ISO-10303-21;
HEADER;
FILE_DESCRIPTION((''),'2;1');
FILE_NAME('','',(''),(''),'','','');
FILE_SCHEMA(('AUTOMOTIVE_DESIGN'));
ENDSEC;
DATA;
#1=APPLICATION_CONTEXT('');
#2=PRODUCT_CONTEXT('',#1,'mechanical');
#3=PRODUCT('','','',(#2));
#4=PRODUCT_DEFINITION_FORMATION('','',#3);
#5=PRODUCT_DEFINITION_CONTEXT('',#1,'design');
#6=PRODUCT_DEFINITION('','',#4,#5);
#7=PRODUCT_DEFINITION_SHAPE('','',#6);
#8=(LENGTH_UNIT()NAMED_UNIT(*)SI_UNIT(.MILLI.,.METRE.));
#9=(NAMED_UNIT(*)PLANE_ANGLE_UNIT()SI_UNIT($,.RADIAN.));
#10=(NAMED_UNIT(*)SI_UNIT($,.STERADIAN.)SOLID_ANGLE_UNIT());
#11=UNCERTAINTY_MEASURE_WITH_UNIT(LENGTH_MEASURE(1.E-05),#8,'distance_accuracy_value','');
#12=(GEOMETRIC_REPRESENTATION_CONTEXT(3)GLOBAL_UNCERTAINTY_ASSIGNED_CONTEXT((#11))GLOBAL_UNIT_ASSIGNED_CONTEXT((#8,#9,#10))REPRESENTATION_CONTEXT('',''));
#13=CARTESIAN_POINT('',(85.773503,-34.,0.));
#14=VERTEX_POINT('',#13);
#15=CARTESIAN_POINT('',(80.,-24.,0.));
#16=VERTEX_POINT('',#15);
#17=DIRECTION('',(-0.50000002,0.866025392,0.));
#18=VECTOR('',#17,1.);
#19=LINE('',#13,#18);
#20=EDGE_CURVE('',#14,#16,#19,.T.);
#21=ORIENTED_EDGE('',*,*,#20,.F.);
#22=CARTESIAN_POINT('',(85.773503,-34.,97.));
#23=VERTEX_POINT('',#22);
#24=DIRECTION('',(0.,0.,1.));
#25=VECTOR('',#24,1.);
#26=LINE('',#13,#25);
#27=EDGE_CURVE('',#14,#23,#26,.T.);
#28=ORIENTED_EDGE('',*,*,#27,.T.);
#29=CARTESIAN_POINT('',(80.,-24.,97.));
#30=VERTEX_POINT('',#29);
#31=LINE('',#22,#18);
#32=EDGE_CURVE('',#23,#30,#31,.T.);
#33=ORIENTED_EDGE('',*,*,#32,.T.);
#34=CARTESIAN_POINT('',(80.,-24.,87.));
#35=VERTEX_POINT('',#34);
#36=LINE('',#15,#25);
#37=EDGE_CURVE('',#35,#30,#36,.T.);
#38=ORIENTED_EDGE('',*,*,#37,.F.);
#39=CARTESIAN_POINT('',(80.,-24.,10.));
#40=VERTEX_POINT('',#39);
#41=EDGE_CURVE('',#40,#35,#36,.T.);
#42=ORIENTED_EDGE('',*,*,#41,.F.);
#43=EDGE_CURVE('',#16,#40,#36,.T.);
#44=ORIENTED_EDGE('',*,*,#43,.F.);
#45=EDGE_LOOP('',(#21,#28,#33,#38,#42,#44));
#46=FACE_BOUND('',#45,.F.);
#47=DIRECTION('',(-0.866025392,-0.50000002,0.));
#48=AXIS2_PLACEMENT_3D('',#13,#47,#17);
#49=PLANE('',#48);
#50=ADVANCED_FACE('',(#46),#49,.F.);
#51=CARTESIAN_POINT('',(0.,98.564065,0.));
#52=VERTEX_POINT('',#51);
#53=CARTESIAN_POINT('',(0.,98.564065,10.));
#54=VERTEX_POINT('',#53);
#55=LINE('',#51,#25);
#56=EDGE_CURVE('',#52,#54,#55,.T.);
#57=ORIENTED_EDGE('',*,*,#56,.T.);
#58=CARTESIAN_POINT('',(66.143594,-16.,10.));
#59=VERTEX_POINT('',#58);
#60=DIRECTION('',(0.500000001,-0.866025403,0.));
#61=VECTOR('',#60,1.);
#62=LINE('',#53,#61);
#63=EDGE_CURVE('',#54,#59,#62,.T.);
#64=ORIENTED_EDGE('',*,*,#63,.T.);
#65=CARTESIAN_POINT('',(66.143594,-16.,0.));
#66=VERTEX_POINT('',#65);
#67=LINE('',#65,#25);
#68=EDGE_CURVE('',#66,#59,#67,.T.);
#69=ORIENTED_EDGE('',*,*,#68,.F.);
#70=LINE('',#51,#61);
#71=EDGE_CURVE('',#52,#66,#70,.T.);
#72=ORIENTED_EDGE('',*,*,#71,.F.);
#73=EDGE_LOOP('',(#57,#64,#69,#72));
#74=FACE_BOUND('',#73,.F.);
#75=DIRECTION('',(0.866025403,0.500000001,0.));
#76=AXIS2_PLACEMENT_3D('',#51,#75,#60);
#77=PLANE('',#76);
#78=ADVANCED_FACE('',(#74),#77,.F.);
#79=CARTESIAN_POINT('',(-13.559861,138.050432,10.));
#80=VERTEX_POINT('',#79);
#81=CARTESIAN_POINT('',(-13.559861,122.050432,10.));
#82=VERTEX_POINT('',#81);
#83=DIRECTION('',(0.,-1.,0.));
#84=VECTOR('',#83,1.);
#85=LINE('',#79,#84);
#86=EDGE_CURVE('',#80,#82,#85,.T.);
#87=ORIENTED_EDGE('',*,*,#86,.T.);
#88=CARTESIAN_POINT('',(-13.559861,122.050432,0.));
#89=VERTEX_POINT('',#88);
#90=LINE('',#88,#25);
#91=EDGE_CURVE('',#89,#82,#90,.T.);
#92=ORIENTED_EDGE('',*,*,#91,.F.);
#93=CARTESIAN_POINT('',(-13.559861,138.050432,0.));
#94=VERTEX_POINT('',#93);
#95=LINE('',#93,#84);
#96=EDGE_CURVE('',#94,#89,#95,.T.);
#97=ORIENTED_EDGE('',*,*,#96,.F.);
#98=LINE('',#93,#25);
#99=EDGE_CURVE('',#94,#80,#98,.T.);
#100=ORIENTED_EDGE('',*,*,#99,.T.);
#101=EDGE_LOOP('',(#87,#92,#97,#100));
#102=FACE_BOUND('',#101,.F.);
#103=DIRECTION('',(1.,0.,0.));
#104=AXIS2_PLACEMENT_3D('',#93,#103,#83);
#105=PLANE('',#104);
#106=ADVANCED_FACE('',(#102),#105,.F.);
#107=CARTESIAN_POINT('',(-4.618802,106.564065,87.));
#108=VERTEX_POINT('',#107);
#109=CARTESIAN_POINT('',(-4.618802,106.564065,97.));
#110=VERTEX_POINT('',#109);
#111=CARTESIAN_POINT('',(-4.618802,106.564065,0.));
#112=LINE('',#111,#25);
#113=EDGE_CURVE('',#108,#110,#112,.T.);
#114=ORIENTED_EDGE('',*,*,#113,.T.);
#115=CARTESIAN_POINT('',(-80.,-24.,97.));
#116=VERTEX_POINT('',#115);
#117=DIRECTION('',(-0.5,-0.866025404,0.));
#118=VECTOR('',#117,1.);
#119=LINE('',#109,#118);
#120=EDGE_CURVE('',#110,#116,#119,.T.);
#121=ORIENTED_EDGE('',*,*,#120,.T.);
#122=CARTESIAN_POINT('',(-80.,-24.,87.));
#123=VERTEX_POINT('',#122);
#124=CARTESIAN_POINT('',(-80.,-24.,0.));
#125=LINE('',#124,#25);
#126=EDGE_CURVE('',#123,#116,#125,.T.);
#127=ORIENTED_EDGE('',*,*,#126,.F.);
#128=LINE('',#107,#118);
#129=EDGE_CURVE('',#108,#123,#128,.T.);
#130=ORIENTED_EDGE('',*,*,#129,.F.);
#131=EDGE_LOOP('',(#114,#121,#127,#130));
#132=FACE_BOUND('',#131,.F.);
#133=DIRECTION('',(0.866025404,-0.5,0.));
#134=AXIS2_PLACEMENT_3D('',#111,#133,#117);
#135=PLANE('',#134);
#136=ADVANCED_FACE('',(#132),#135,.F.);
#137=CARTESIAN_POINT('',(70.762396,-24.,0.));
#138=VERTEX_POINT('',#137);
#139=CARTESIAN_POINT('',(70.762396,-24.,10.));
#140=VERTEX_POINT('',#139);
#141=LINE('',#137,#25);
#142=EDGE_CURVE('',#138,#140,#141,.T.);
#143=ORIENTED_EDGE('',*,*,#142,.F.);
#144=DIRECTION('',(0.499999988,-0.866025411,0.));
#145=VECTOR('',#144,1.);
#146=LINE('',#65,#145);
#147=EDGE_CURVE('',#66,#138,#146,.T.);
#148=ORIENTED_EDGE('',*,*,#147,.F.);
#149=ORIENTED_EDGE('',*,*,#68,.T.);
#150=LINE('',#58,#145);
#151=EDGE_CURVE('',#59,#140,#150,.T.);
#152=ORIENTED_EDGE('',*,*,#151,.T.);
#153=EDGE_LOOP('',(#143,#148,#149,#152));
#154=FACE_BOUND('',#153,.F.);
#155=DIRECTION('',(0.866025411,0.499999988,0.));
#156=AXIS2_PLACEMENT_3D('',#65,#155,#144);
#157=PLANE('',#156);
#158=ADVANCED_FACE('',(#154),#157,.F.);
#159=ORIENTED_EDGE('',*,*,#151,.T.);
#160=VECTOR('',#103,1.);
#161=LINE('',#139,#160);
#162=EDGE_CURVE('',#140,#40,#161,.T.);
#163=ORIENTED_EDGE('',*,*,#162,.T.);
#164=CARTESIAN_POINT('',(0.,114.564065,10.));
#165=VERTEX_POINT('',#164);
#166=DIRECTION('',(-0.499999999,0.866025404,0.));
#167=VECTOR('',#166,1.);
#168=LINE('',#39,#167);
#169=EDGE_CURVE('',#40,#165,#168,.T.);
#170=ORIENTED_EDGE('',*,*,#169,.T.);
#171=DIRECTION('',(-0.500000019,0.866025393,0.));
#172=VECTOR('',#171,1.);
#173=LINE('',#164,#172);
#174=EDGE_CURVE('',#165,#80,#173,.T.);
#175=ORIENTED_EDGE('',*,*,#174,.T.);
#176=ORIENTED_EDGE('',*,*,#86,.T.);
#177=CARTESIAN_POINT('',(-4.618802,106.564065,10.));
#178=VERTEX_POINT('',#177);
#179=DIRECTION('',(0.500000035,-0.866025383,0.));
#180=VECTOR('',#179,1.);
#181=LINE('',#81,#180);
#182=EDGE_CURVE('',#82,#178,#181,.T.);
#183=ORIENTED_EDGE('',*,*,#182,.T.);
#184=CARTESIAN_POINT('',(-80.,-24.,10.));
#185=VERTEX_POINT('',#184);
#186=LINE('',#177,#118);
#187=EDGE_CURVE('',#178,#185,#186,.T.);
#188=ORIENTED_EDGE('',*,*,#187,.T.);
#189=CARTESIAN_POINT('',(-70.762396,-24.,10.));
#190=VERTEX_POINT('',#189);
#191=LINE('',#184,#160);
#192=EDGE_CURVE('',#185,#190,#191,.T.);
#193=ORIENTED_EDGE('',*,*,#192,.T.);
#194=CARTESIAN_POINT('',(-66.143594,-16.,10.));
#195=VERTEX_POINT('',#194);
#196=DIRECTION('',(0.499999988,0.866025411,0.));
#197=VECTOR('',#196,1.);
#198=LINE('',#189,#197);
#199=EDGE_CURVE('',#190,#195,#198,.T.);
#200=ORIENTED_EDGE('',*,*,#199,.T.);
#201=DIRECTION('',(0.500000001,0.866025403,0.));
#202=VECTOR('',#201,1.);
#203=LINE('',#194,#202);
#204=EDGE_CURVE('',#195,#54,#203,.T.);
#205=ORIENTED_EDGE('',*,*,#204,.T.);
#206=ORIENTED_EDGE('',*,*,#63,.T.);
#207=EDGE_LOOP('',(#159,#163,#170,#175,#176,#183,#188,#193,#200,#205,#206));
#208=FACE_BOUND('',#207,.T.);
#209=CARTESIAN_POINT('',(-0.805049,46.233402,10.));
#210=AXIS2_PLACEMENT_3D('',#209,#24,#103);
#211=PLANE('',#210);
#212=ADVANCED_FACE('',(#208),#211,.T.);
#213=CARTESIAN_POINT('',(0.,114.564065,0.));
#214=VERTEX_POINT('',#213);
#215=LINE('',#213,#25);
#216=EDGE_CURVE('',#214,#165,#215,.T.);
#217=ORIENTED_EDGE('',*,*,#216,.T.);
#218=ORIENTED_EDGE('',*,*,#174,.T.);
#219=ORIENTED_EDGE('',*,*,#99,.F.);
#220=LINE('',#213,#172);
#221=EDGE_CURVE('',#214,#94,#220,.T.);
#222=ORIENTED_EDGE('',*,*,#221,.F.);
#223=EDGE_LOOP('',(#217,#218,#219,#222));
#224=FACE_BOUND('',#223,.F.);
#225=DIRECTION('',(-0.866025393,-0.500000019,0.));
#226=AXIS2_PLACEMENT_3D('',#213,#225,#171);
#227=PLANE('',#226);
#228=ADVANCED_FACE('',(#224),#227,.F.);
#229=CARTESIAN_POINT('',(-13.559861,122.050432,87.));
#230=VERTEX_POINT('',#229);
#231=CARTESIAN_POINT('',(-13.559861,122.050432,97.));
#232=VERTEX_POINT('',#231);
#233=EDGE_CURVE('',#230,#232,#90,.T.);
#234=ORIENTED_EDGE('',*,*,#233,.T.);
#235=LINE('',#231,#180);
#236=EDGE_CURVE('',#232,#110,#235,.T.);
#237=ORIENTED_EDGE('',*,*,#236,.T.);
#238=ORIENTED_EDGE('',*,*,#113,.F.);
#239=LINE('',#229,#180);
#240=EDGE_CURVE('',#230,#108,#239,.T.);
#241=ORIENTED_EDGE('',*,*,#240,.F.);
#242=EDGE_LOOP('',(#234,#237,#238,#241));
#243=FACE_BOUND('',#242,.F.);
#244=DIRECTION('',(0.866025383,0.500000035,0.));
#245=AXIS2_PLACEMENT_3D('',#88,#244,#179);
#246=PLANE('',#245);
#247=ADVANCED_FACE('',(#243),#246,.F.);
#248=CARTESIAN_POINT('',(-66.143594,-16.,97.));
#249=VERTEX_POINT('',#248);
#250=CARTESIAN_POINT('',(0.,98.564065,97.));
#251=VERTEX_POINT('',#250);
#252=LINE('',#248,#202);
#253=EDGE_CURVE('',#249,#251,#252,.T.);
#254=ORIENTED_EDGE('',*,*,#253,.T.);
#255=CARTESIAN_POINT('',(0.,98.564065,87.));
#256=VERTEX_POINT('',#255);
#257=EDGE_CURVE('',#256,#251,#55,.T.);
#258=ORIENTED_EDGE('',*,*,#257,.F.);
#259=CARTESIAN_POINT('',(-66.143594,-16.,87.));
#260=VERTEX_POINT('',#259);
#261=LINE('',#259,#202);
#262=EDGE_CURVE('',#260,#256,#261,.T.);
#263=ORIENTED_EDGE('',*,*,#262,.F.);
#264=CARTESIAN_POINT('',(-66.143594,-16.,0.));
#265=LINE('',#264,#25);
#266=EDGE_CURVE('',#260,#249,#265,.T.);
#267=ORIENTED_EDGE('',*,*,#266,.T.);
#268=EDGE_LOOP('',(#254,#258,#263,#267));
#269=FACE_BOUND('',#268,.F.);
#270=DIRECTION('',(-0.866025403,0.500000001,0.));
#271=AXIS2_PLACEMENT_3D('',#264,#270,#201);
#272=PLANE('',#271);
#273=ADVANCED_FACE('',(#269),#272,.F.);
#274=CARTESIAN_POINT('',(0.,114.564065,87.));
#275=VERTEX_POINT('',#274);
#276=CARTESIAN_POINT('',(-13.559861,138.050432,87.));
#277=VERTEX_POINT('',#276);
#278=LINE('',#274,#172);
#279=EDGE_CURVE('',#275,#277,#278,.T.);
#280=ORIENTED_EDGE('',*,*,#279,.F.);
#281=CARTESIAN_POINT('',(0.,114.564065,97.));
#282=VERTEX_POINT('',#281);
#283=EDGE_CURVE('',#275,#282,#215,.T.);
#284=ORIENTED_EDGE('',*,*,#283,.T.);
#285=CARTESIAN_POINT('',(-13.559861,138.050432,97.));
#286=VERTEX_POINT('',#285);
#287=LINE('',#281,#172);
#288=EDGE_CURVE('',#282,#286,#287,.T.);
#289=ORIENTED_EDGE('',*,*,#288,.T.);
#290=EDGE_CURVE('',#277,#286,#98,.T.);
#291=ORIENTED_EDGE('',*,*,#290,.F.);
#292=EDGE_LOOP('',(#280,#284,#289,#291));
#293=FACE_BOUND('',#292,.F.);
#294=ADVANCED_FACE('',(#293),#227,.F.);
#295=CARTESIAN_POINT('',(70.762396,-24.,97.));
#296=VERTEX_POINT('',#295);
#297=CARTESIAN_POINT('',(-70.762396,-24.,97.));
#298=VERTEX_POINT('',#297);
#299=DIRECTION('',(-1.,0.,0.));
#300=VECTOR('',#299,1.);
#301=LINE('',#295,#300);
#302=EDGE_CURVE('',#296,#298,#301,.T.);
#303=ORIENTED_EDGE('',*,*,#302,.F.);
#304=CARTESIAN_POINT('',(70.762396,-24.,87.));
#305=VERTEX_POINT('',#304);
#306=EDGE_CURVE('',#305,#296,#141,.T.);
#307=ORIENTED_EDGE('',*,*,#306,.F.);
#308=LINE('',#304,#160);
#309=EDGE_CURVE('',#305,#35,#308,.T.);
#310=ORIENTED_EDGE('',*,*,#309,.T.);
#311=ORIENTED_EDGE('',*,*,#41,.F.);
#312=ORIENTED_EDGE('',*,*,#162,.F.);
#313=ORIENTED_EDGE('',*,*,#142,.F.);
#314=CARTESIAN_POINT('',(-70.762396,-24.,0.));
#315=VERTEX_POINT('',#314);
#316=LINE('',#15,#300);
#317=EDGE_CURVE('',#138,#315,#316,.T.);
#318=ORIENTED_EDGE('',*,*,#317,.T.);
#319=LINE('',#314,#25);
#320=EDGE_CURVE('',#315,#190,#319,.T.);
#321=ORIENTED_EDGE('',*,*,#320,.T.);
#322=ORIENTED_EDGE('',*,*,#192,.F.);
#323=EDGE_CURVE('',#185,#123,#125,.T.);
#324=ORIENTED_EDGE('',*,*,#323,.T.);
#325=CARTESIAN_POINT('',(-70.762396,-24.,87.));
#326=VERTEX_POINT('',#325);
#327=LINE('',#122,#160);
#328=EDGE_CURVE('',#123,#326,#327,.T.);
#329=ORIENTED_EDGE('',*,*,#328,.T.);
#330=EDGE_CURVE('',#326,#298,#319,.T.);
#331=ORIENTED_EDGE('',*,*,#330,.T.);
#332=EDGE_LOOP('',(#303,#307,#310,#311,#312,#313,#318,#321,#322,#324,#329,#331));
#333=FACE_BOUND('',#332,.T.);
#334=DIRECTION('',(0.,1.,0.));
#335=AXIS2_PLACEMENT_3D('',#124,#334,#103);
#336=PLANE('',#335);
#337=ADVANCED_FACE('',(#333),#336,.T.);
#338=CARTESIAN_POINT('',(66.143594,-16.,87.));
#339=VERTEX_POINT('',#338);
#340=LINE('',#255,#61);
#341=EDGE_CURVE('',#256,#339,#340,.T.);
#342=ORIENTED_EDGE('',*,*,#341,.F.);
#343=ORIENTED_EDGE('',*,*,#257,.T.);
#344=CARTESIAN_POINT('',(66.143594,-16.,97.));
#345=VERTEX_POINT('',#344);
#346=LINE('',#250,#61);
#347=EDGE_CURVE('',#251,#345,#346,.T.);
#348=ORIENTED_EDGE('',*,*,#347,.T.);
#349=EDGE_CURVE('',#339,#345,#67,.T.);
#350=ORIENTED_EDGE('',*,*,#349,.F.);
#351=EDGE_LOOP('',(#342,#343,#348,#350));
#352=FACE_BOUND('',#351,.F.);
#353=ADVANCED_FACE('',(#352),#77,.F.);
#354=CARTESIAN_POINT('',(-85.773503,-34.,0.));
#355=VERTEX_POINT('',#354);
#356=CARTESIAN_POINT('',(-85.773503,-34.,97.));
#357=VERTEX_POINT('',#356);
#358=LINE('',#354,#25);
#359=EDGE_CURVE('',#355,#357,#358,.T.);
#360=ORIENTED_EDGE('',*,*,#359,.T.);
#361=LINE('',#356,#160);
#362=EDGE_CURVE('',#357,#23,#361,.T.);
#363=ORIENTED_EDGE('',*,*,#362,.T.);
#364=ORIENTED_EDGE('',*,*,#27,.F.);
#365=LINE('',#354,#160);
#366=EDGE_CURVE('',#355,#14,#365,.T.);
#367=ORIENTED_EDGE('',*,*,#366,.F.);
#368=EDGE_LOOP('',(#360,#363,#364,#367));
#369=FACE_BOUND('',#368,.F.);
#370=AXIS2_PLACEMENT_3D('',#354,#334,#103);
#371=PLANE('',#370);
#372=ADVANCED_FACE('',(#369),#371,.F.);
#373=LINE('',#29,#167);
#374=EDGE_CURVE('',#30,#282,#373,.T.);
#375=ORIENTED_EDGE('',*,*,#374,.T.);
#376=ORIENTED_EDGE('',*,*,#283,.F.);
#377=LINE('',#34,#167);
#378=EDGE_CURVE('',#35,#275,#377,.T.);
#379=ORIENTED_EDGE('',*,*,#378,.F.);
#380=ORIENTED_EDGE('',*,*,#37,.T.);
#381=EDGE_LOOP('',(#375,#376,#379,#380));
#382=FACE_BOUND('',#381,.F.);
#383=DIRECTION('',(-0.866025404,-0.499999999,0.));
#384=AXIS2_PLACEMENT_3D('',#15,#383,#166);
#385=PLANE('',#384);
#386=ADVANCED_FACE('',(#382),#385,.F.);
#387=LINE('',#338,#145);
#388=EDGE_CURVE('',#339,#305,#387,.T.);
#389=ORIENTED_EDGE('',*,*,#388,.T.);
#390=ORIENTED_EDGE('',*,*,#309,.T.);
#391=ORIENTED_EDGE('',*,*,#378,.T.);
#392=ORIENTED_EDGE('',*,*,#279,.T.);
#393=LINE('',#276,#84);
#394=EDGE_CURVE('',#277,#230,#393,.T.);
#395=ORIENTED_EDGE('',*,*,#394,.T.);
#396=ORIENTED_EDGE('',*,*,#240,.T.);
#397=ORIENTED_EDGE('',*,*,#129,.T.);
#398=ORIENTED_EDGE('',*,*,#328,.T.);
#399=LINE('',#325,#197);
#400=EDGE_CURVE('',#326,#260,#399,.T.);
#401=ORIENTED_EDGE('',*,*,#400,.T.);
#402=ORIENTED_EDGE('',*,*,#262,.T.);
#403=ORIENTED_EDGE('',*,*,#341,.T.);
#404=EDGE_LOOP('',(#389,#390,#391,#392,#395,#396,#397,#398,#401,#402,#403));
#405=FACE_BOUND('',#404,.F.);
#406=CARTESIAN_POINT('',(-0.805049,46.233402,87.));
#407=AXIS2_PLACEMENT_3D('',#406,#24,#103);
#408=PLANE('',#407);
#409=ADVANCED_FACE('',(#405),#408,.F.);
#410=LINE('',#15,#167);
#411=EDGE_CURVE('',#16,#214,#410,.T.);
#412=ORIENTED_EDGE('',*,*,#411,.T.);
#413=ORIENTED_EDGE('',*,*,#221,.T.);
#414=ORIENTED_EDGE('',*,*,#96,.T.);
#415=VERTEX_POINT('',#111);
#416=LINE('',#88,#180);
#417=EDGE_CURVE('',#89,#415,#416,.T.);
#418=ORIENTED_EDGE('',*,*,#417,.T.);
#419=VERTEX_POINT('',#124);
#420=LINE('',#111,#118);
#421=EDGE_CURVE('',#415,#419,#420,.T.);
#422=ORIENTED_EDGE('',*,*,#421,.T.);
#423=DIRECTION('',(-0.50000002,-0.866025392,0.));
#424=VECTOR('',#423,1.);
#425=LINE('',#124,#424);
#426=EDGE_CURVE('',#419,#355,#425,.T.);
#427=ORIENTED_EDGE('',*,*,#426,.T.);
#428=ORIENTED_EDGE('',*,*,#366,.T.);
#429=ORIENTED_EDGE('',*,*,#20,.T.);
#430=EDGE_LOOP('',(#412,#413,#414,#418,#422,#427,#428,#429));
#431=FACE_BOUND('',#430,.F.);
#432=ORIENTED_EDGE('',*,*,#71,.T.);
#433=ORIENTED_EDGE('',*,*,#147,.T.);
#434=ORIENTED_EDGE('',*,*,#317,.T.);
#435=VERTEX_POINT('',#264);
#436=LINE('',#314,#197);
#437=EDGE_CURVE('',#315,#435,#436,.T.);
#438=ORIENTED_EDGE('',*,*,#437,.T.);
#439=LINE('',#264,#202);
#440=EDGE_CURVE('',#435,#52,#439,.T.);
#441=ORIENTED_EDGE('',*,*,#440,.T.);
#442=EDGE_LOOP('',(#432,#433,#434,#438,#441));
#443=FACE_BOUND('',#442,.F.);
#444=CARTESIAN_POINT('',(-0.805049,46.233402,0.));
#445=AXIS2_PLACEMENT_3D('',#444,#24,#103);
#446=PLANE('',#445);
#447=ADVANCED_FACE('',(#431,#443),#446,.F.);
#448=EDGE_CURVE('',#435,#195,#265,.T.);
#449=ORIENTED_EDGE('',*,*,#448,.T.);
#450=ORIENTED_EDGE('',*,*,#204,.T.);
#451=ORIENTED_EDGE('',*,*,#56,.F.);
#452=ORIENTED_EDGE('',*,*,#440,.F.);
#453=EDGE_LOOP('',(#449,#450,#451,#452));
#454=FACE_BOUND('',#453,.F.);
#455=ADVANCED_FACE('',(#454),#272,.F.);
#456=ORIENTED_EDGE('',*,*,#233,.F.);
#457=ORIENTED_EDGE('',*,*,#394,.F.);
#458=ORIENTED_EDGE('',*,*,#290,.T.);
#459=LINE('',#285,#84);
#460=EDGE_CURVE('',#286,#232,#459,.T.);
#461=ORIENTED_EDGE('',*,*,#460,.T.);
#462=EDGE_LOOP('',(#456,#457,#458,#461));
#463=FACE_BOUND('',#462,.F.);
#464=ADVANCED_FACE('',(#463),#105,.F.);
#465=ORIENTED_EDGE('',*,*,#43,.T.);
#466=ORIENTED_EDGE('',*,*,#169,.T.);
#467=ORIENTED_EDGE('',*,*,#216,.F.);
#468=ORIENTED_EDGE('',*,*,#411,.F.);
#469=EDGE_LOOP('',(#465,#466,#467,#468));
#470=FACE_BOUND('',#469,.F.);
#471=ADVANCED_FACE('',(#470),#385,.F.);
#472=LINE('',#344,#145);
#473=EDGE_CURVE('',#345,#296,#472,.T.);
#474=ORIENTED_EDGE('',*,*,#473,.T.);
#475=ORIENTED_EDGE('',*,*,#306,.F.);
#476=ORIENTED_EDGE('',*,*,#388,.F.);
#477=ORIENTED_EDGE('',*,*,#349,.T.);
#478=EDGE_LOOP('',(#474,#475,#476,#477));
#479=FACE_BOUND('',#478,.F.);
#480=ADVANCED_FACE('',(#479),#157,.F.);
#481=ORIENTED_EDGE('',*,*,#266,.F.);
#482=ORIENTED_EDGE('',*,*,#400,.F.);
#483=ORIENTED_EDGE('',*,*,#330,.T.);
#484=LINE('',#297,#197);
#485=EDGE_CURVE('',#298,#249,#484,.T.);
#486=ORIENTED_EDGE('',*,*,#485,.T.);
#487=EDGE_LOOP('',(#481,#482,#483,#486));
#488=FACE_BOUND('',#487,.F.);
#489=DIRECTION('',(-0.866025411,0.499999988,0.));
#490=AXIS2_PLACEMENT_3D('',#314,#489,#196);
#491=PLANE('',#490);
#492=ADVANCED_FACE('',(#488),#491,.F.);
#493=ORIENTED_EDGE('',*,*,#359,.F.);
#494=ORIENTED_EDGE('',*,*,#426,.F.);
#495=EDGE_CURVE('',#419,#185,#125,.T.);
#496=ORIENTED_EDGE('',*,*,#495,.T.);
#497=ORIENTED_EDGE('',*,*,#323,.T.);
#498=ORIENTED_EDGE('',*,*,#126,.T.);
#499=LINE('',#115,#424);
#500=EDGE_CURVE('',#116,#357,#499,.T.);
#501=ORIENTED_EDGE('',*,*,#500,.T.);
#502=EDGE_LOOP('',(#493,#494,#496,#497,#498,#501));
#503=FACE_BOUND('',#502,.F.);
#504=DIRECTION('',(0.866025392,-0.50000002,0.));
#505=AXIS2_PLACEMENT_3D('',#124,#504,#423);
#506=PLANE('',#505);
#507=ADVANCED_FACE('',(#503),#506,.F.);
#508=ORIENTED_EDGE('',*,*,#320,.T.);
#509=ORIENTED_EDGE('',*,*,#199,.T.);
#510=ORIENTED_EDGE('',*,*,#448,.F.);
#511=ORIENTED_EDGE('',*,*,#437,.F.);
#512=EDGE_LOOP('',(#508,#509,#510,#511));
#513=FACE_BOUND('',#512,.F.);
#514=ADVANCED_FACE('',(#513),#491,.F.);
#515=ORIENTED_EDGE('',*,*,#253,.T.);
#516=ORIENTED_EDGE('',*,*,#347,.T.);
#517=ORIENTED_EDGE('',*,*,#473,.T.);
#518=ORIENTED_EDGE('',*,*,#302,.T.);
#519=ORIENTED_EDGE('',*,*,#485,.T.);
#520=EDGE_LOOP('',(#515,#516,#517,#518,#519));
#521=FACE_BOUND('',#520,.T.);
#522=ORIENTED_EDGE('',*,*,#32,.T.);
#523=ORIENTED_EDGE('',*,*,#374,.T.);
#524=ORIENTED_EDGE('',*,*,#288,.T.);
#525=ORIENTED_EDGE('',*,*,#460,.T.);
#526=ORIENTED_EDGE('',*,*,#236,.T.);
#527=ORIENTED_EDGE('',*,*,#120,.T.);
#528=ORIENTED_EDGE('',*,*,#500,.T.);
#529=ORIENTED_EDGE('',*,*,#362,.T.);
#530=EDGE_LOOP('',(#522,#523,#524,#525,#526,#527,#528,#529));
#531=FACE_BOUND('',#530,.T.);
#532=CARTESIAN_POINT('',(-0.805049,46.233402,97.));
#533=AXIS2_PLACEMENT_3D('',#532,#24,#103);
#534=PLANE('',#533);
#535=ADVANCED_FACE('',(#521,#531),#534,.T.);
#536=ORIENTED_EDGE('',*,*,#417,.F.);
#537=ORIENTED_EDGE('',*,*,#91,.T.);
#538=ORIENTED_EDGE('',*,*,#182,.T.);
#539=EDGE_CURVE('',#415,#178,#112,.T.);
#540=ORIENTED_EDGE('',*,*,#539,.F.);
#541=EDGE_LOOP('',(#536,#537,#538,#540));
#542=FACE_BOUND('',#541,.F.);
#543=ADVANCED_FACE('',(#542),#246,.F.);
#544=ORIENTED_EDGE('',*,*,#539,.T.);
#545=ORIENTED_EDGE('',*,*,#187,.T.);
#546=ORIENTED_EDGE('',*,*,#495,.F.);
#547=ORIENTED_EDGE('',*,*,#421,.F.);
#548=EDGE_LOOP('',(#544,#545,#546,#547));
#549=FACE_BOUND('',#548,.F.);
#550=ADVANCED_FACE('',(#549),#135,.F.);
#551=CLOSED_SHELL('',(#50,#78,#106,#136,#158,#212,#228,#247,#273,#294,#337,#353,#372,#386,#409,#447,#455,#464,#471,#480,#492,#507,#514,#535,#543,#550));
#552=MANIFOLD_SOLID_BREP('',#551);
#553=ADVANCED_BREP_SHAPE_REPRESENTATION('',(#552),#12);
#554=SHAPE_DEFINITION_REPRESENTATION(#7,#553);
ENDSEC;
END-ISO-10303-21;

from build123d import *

# Parameters (mm, degrees)
F1_DEPTH = 97
F2_DEPTH = 87
F3_DEPTH = 10


with BuildPart() as f1:
    # F0 (on Top) → F1 (new body)
    with BuildSketch(Plane.XY):
        Polygon((-4.618802, 106.564065), (-80, -24), (-70.762396, -24), (-66.143594, -16), (0, 98.564065), (66.143594, -16), (70.762396, -24), (80, -24), (0, 114.564065), (-13.559861, 138.050432), (-13.559861, 122.050432), align=None)
        Polygon((-70.762396, -24), (-80, -24), (-85.773503, -34), (85.773503, -34), (80, -24), (70.762396, -24), align=None)
    extrude(amount=F1_DEPTH)

    # F0 (on Top) → F2 (cut)
    with BuildSketch(Plane.XY):
        Polygon((-4.618802, 106.564065), (-80, -24), (-70.762396, -24), (-66.143594, -16), (0, 98.564065), (66.143594, -16), (70.762396, -24), (80, -24), (0, 114.564065), (-13.559861, 138.050432), (-13.559861, 122.050432), align=None)
    extrude(amount=F2_DEPTH, mode=Mode.SUBTRACT)

    # F0 (on Top) → F3 (join)
    with BuildSketch(Plane.XY):
        Polygon((-4.618802, 106.564065), (-80, -24), (-70.762396, -24), (-66.143594, -16), (0, 98.564065), (66.143594, -16), (70.762396, -24), (80, -24), (0, 114.564065), (-13.559861, 138.050432), (-13.559861, 122.050432), align=None)
    extrude(amount=F3_DEPTH)


solid = f1.part
